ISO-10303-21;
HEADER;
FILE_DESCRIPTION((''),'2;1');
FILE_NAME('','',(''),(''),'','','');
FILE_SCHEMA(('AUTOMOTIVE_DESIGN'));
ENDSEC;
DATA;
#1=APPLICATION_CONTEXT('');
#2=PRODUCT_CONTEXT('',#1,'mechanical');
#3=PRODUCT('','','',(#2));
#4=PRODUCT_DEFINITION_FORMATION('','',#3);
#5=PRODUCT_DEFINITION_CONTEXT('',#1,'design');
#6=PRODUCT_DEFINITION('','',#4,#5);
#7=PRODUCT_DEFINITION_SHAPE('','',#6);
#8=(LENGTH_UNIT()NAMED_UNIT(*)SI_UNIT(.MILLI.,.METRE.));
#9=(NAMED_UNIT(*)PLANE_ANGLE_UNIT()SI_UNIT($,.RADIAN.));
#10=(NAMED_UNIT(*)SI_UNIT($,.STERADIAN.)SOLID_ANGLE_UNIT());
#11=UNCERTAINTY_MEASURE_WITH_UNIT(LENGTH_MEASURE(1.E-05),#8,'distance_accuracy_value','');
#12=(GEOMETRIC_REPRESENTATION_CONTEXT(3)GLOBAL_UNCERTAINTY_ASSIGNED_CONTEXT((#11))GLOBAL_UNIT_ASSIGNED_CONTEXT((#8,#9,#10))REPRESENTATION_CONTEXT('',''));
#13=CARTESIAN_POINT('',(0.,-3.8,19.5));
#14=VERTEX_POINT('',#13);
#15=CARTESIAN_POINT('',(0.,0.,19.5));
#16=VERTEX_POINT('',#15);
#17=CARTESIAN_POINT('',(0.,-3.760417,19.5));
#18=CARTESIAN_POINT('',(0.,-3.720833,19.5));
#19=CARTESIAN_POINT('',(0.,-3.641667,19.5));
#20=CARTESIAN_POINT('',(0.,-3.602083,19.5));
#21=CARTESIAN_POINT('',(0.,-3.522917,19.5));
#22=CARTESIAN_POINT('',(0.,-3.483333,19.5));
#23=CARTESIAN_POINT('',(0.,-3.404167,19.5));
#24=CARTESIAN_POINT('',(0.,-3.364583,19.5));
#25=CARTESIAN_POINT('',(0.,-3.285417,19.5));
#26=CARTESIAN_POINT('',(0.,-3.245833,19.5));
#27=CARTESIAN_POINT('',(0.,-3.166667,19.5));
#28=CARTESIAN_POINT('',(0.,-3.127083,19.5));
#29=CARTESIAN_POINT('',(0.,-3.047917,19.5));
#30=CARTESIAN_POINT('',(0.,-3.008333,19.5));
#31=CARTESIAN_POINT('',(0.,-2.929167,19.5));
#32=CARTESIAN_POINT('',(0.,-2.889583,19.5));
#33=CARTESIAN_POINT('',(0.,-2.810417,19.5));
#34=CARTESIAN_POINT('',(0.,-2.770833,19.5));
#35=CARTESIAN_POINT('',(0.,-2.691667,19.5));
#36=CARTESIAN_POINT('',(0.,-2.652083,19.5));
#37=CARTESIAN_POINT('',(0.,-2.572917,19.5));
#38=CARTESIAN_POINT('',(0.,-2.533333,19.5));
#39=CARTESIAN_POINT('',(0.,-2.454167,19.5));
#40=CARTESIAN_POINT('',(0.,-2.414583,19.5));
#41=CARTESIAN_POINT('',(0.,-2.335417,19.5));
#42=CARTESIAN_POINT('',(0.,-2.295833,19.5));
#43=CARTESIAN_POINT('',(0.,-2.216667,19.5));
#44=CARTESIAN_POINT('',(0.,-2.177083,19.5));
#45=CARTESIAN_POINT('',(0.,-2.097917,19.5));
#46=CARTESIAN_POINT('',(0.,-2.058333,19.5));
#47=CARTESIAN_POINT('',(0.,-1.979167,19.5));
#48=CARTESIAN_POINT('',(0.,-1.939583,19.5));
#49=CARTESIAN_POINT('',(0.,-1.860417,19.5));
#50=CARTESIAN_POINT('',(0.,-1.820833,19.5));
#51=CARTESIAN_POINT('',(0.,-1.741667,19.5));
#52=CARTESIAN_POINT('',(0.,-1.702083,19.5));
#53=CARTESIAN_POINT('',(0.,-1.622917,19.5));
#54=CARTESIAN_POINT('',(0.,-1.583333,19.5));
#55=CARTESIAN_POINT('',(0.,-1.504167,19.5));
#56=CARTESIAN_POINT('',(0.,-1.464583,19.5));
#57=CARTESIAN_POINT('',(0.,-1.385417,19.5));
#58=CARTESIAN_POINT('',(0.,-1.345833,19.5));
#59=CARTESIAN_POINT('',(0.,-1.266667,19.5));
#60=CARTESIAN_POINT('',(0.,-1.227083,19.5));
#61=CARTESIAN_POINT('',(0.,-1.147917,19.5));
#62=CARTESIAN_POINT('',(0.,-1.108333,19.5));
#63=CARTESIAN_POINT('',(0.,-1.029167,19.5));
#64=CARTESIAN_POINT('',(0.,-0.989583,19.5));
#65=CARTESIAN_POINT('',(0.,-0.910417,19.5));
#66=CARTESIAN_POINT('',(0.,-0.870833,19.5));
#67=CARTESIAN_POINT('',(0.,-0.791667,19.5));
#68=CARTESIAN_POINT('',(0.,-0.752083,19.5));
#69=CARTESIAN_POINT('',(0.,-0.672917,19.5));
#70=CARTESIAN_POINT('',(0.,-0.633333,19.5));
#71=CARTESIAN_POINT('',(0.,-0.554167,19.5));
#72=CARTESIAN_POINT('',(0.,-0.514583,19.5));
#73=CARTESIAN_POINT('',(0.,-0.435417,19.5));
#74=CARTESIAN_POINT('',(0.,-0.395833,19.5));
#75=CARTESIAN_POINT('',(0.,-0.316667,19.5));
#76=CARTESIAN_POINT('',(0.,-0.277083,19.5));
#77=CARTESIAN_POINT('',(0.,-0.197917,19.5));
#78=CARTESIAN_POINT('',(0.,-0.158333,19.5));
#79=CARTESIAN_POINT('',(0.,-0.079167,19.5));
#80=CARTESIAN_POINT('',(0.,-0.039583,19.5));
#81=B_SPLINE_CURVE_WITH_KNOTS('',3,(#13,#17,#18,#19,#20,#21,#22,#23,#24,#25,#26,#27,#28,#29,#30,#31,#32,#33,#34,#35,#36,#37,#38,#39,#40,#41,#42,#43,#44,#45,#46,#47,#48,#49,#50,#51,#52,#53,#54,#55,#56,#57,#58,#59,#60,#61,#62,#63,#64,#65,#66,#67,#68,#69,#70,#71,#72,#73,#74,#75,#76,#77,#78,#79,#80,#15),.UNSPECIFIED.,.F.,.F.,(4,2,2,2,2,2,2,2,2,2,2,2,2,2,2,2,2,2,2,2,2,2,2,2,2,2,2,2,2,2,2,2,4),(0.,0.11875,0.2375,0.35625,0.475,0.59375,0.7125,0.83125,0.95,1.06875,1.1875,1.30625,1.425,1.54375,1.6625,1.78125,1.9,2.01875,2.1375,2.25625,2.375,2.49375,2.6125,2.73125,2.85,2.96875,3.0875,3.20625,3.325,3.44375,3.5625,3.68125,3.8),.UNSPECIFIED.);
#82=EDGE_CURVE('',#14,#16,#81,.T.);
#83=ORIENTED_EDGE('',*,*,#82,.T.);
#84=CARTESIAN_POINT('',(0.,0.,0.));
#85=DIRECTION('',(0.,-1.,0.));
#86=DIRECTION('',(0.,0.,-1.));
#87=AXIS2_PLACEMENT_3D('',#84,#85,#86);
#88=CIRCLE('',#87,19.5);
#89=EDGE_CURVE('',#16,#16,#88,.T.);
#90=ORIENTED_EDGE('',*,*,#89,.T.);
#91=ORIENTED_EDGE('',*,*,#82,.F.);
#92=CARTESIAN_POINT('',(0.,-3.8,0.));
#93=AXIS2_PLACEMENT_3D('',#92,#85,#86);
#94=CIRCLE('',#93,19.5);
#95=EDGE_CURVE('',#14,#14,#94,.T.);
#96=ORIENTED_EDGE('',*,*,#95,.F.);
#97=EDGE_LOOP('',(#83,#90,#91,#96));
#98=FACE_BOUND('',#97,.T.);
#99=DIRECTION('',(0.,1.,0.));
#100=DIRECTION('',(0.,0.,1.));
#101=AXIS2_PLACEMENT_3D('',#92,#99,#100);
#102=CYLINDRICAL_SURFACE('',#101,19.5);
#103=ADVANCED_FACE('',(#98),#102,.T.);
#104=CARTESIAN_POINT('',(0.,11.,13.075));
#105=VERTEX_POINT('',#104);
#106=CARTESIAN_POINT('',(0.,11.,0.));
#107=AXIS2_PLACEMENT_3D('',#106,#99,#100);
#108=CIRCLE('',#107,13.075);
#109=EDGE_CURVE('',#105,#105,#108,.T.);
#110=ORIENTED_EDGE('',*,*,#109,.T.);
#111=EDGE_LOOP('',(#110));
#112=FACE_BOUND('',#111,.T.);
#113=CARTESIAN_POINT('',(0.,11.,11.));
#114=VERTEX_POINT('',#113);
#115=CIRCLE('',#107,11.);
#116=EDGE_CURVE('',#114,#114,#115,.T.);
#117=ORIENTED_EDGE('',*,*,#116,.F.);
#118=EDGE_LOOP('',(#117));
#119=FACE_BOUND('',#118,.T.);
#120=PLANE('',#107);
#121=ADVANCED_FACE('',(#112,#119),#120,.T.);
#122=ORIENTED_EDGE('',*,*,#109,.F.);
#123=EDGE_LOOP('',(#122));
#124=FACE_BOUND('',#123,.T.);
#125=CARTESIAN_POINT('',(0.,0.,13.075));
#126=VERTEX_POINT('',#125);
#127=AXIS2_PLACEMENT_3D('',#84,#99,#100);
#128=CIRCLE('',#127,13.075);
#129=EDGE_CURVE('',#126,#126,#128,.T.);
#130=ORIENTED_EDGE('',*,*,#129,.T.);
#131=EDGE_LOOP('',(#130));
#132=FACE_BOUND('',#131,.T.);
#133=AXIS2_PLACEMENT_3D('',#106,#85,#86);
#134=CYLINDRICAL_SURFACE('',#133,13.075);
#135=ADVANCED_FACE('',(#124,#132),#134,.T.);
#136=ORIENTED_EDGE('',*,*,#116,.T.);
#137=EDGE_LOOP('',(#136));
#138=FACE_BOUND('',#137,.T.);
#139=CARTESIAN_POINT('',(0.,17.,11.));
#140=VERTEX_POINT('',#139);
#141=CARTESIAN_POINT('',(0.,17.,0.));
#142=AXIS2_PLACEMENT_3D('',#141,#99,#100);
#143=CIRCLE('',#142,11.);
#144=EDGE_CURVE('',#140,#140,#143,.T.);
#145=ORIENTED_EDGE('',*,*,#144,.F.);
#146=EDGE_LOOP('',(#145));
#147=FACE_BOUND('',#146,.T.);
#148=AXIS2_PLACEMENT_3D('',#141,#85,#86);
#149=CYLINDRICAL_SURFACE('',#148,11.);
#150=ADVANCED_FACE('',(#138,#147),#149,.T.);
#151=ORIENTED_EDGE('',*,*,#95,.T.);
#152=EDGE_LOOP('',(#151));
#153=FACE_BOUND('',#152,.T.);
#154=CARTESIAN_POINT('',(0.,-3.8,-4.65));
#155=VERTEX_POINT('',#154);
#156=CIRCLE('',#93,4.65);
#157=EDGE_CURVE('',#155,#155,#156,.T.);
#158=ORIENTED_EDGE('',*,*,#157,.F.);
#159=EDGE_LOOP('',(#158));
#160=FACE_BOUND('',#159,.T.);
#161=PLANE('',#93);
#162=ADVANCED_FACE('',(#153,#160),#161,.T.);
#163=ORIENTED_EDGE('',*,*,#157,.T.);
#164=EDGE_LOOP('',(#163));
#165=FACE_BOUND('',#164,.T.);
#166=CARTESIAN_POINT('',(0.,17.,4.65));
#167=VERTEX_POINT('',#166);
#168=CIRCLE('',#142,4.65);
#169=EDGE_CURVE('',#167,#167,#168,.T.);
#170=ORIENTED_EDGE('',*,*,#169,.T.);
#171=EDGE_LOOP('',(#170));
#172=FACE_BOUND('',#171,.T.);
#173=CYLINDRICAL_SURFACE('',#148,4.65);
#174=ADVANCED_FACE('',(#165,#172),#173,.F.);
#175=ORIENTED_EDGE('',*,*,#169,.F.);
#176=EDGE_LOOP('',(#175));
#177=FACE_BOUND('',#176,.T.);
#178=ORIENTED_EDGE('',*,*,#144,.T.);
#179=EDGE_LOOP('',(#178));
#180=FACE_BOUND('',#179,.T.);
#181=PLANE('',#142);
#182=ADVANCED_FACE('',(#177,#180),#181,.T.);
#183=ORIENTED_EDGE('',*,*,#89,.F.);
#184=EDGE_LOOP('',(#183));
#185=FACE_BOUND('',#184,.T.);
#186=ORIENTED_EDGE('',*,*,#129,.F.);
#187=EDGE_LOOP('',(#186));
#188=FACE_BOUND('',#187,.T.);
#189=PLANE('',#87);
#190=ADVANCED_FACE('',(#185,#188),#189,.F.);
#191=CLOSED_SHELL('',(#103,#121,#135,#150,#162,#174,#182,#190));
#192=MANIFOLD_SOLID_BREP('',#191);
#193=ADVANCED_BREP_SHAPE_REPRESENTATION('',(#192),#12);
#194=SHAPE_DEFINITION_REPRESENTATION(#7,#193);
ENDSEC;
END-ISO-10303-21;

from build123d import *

# Parameters (mm, degrees)
SKETCH1_R           = 11
SKETCH1_R_2         = 4.65
BOSS_EXTRUDE1_DEPTH = 17
SKETCH1_5_R         = 13.075
SKETCH1_5_R_2       = 11
BOSS_EXTRUDE2_DEPTH = 11
BOSS_EXTRUDE3_START = 3.8
SKETCH2_R           = 19.5
SKETCH2_R_2         = 4.65
BOSS_EXTRUDE3_DEPTH = 3.8


with BuildPart() as part:
    # Sketch1 → Boss-Extrude1 (new body)
    with BuildSketch(Plane(origin=(0, 0, 0), x_dir=(1, 0, 0), z_dir=(0, 1, 0))):
        Circle(SKETCH1_R)
        Circle(SKETCH1_R_2, mode=Mode.SUBTRACT)
    extrude(amount=BOSS_EXTRUDE1_DEPTH)

    # Sketch1<5> → Boss-Extrude2 (add)
    with BuildSketch(Plane(origin=(0, 0, 0), x_dir=(1, 0, 0), z_dir=(0, 1, 0))):
        Circle(SKETCH1_5_R)
        Circle(SKETCH1_5_R_2, mode=Mode.SUBTRACT)
    extrude(amount=BOSS_EXTRUDE2_DEPTH)

    # Sketch2 → Boss-Extrude3 (add)
    with BuildSketch(Plane.XZ.offset(BOSS_EXTRUDE3_START)):
        Circle(SKETCH2_R)
        Circle(SKETCH2_R_2, mode=Mode.SUBTRACT)
    extrude(amount=-BOSS_EXTRUDE3_DEPTH)


solid = part.part
